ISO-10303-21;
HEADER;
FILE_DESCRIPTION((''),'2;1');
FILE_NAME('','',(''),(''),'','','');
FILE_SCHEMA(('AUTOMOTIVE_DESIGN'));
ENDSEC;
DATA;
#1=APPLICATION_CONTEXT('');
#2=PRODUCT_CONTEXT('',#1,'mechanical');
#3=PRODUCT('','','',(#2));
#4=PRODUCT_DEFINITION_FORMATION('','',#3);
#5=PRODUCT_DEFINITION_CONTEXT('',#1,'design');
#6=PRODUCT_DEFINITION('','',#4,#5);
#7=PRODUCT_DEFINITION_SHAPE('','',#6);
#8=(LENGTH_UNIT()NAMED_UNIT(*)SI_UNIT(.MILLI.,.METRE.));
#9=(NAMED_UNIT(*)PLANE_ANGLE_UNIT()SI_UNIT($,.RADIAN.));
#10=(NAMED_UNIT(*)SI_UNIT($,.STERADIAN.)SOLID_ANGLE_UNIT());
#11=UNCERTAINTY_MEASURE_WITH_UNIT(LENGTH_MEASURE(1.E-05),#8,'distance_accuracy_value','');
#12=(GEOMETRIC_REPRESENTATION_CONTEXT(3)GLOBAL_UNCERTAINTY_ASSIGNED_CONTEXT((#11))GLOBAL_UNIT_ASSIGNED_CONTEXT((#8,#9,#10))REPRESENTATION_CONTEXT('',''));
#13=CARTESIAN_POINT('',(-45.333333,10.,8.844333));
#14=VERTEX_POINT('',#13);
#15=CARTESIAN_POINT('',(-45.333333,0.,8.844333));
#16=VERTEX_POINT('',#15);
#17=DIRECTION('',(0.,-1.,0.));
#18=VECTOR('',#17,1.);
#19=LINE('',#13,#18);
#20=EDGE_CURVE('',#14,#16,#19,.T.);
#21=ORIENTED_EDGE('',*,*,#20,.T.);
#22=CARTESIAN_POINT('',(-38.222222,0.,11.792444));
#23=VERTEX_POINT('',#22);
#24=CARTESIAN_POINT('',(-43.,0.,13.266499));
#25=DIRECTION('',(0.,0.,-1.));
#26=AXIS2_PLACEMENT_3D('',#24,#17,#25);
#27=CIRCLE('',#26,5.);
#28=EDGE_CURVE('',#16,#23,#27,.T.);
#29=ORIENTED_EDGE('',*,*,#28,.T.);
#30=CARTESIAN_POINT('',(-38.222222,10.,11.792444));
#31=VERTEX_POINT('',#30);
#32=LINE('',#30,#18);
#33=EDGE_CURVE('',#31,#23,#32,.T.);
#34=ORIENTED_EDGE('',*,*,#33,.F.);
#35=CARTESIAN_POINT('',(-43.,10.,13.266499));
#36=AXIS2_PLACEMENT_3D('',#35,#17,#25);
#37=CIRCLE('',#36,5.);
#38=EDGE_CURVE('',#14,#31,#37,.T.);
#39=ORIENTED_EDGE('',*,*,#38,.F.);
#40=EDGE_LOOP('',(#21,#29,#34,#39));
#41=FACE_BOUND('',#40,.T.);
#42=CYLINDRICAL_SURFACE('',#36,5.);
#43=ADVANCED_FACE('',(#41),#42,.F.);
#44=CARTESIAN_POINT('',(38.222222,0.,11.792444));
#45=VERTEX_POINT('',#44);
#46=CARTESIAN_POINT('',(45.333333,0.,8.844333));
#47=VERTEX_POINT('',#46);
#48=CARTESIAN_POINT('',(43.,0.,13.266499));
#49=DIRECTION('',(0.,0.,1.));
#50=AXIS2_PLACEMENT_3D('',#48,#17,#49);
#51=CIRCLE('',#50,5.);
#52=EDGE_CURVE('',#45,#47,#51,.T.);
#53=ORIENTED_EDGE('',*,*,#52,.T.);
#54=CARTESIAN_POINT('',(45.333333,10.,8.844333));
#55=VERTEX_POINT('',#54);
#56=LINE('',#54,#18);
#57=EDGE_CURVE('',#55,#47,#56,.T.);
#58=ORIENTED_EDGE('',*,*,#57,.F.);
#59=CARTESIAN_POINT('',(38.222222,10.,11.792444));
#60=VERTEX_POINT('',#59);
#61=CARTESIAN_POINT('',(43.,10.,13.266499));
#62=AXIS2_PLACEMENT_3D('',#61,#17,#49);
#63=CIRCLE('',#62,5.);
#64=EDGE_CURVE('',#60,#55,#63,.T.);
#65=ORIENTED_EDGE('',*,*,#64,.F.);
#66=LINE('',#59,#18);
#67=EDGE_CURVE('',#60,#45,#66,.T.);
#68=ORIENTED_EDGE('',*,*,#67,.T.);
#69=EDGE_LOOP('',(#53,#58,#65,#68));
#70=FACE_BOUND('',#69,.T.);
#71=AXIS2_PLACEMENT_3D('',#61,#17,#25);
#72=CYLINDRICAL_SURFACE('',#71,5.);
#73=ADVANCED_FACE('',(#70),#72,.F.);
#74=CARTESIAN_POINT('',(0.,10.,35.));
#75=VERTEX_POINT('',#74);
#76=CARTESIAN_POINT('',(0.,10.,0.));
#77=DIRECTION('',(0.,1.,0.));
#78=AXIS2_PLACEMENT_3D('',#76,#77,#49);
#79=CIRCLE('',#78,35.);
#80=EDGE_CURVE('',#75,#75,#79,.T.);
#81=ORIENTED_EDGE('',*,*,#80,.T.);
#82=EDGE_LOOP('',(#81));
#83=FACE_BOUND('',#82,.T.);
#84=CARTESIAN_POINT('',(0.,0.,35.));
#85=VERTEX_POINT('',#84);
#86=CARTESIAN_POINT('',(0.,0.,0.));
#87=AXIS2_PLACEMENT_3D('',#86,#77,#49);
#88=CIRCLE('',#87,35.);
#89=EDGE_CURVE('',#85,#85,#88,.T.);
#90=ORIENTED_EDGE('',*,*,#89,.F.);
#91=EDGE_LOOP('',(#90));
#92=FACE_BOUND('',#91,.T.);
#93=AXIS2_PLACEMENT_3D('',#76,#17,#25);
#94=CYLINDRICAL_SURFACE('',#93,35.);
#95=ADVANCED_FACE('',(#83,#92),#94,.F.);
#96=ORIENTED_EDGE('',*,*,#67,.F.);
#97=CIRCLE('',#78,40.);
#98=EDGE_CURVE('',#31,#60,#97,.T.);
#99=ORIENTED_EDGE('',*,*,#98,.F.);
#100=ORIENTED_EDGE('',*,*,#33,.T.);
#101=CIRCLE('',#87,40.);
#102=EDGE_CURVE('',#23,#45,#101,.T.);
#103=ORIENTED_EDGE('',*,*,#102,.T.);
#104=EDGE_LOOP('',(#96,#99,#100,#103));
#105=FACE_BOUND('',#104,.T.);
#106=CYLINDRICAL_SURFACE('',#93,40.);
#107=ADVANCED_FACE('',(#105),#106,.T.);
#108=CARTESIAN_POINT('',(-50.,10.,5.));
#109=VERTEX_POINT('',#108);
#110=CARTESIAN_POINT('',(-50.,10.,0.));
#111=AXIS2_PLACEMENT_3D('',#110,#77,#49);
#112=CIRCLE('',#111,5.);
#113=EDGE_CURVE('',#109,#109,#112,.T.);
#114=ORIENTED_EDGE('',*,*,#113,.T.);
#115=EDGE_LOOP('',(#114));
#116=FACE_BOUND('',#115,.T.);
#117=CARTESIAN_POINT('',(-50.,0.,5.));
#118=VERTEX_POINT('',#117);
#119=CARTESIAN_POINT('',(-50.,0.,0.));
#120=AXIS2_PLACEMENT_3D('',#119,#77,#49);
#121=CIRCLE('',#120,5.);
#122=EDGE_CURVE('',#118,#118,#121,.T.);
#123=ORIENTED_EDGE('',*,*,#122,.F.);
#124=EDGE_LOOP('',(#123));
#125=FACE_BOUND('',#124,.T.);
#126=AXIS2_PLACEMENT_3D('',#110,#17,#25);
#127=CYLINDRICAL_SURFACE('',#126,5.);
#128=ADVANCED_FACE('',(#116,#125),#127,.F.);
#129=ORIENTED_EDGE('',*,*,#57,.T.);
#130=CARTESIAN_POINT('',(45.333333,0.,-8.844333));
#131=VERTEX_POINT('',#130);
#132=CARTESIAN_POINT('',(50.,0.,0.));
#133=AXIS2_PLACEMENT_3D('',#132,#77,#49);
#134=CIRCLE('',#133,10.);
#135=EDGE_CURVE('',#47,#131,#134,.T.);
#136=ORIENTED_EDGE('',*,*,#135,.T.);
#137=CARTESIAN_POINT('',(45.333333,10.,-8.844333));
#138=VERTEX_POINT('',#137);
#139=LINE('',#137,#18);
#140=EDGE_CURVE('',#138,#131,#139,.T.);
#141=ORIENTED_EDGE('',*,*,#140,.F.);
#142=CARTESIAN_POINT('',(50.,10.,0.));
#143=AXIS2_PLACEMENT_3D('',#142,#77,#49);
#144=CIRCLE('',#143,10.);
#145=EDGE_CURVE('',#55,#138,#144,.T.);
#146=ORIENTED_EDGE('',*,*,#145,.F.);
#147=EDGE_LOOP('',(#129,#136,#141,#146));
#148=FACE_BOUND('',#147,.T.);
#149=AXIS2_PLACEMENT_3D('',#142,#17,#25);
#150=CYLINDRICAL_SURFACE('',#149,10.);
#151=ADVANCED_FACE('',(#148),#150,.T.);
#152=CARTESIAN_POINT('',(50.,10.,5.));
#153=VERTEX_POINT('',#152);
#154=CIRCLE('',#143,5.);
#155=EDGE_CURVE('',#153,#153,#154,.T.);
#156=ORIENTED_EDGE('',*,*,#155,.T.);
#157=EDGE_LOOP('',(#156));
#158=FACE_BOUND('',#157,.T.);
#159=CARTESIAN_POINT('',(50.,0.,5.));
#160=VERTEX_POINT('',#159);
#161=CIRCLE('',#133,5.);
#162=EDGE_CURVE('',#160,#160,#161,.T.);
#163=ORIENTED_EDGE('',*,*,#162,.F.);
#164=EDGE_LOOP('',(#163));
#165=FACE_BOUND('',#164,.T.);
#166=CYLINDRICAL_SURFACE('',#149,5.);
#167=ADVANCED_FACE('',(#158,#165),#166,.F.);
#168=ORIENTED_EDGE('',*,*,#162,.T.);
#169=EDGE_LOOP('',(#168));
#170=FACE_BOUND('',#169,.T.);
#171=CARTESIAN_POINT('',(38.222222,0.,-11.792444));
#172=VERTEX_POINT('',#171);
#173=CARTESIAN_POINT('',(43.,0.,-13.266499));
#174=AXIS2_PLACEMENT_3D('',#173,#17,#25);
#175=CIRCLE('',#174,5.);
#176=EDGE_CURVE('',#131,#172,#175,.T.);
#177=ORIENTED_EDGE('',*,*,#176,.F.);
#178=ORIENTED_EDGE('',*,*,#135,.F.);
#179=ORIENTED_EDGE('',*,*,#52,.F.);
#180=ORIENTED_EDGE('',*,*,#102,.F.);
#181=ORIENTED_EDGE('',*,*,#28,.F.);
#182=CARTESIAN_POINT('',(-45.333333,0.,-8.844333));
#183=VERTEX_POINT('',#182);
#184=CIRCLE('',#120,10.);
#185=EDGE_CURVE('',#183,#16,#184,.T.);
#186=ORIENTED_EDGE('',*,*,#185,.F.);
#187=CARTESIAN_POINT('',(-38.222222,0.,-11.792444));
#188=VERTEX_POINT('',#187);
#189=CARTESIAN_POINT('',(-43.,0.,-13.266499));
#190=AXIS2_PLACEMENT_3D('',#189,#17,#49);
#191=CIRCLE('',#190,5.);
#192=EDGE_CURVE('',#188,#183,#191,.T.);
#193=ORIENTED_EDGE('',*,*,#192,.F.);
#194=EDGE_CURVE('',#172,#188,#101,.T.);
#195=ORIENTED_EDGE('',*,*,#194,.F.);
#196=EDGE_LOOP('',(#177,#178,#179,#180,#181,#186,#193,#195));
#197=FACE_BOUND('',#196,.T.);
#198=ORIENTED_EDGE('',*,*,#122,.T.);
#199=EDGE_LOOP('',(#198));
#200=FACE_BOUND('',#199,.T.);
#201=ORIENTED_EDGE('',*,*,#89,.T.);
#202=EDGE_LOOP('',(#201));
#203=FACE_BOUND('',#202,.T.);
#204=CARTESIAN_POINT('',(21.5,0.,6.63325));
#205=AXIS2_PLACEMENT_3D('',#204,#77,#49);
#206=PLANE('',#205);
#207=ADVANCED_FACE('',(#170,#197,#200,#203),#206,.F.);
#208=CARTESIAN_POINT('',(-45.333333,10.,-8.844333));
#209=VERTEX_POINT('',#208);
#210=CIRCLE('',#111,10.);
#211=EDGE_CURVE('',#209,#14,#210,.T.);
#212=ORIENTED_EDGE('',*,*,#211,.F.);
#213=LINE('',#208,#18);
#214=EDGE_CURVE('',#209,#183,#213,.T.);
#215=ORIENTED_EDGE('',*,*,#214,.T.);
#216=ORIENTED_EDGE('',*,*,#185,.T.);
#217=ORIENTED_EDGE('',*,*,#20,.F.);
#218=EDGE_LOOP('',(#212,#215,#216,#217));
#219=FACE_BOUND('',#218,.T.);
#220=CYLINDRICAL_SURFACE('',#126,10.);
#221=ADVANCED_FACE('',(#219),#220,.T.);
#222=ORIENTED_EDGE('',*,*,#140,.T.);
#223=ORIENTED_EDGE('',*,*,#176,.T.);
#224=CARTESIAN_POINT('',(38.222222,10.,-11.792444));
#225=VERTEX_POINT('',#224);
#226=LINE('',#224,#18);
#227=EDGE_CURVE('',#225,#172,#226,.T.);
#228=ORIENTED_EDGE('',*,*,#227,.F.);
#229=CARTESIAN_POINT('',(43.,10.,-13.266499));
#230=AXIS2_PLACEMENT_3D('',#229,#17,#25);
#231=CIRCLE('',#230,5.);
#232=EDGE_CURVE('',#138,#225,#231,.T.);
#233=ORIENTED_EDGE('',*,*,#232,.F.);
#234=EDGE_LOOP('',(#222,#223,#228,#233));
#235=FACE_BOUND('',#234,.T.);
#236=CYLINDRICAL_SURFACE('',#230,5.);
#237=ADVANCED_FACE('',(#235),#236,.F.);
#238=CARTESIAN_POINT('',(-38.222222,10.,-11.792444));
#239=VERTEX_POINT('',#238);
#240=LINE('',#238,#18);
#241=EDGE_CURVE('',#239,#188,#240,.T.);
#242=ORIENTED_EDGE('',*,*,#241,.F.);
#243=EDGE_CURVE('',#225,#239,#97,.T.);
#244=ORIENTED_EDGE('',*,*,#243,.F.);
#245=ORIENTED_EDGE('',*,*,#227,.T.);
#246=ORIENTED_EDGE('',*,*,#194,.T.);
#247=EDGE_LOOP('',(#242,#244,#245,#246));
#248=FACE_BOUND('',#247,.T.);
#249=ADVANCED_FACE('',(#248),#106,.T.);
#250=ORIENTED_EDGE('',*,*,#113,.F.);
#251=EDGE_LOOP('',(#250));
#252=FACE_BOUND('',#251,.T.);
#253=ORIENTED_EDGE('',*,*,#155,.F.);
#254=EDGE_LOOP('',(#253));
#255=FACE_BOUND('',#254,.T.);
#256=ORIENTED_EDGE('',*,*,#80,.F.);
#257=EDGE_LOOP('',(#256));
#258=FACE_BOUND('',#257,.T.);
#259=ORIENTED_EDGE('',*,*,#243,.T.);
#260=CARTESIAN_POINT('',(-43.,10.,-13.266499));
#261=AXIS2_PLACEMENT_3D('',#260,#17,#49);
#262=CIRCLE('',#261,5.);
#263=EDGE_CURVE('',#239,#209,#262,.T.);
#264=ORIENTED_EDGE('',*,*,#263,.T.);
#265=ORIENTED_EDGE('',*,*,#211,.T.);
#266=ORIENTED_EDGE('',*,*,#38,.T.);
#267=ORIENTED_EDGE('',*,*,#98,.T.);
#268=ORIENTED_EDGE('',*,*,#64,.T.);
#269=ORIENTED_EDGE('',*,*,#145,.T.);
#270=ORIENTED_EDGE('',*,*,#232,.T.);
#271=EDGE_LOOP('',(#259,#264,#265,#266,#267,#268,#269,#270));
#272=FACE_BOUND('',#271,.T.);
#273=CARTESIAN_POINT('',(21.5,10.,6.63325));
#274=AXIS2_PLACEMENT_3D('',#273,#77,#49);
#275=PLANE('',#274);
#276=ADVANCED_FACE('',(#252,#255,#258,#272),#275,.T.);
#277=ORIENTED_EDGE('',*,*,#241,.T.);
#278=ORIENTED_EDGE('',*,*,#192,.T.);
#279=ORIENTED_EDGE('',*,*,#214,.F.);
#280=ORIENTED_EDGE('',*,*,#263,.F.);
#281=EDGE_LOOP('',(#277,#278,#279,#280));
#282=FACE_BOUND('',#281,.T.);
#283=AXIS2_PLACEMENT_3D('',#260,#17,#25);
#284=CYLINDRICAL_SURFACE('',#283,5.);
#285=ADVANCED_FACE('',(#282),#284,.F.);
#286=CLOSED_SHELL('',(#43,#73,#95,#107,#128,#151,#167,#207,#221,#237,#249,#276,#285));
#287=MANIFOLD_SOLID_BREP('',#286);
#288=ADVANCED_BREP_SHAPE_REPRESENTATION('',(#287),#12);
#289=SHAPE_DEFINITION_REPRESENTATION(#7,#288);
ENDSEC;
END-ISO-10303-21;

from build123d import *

# Parameters (mm, degrees)
SKETCH1_R           = 35
SKETCH1_R_2         = 5
BOSS_EXTRUDE1_DEPTH = 10


with BuildPart() as part:
    # Sketch1 → Boss-Extrude1 (new body)
    with BuildSketch(Plane(origin=(0, 0, 0), x_dir=(1, 0, 0), z_dir=(0, 1, 0))):
        with BuildLine():
            ThreePointArc((-38.222222222, -11.792443699), (0, -40), (38.222222222, -11.792443699))
            ThreePointArc((38.222222222, -11.792443699), (41.085145784, -8.647697008), (45.333333333, -8.844332774))
            ThreePointArc((45.333333333, -8.844332774), (60, 0), (45.333333333, 8.844332774))
            ThreePointArc((45.333333333, 8.844332774), (41.085145784, 8.647697008), (38.222222222, 11.792443699))
            ThreePointArc((38.222222222, 11.792443699), (0, 40), (-38.222222222, 11.792443699))
            ThreePointArc((-38.222222222, 11.792443699), (-41.085145784, 8.647697008), (-45.333333333, 8.844332774))
            ThreePointArc((-45.333333333, 8.844332774), (-60, 0), (-45.333333333, -8.844332774))
            ThreePointArc((-45.333333333, -8.844332774), (-41.085145784, -8.647697008), (-38.222222222, -11.792443699))
        make_face()
        with Locations(Location((0, 0, 0), (0, 0, 270))):
            Circle(SKETCH1_R, mode=Mode.SUBTRACT)
        with Locations(Location((-50, 0, 0), (0, 0, 270))):
            Circle(SKETCH1_R_2, mode=Mode.SUBTRACT)
        with Locations(Location((50, 0, 0), (0, 0, 270))):
            Circle(SKETCH1_R_2, mode=Mode.SUBTRACT)
    extrude(amount=BOSS_EXTRUDE1_DEPTH)


solid = part.part
